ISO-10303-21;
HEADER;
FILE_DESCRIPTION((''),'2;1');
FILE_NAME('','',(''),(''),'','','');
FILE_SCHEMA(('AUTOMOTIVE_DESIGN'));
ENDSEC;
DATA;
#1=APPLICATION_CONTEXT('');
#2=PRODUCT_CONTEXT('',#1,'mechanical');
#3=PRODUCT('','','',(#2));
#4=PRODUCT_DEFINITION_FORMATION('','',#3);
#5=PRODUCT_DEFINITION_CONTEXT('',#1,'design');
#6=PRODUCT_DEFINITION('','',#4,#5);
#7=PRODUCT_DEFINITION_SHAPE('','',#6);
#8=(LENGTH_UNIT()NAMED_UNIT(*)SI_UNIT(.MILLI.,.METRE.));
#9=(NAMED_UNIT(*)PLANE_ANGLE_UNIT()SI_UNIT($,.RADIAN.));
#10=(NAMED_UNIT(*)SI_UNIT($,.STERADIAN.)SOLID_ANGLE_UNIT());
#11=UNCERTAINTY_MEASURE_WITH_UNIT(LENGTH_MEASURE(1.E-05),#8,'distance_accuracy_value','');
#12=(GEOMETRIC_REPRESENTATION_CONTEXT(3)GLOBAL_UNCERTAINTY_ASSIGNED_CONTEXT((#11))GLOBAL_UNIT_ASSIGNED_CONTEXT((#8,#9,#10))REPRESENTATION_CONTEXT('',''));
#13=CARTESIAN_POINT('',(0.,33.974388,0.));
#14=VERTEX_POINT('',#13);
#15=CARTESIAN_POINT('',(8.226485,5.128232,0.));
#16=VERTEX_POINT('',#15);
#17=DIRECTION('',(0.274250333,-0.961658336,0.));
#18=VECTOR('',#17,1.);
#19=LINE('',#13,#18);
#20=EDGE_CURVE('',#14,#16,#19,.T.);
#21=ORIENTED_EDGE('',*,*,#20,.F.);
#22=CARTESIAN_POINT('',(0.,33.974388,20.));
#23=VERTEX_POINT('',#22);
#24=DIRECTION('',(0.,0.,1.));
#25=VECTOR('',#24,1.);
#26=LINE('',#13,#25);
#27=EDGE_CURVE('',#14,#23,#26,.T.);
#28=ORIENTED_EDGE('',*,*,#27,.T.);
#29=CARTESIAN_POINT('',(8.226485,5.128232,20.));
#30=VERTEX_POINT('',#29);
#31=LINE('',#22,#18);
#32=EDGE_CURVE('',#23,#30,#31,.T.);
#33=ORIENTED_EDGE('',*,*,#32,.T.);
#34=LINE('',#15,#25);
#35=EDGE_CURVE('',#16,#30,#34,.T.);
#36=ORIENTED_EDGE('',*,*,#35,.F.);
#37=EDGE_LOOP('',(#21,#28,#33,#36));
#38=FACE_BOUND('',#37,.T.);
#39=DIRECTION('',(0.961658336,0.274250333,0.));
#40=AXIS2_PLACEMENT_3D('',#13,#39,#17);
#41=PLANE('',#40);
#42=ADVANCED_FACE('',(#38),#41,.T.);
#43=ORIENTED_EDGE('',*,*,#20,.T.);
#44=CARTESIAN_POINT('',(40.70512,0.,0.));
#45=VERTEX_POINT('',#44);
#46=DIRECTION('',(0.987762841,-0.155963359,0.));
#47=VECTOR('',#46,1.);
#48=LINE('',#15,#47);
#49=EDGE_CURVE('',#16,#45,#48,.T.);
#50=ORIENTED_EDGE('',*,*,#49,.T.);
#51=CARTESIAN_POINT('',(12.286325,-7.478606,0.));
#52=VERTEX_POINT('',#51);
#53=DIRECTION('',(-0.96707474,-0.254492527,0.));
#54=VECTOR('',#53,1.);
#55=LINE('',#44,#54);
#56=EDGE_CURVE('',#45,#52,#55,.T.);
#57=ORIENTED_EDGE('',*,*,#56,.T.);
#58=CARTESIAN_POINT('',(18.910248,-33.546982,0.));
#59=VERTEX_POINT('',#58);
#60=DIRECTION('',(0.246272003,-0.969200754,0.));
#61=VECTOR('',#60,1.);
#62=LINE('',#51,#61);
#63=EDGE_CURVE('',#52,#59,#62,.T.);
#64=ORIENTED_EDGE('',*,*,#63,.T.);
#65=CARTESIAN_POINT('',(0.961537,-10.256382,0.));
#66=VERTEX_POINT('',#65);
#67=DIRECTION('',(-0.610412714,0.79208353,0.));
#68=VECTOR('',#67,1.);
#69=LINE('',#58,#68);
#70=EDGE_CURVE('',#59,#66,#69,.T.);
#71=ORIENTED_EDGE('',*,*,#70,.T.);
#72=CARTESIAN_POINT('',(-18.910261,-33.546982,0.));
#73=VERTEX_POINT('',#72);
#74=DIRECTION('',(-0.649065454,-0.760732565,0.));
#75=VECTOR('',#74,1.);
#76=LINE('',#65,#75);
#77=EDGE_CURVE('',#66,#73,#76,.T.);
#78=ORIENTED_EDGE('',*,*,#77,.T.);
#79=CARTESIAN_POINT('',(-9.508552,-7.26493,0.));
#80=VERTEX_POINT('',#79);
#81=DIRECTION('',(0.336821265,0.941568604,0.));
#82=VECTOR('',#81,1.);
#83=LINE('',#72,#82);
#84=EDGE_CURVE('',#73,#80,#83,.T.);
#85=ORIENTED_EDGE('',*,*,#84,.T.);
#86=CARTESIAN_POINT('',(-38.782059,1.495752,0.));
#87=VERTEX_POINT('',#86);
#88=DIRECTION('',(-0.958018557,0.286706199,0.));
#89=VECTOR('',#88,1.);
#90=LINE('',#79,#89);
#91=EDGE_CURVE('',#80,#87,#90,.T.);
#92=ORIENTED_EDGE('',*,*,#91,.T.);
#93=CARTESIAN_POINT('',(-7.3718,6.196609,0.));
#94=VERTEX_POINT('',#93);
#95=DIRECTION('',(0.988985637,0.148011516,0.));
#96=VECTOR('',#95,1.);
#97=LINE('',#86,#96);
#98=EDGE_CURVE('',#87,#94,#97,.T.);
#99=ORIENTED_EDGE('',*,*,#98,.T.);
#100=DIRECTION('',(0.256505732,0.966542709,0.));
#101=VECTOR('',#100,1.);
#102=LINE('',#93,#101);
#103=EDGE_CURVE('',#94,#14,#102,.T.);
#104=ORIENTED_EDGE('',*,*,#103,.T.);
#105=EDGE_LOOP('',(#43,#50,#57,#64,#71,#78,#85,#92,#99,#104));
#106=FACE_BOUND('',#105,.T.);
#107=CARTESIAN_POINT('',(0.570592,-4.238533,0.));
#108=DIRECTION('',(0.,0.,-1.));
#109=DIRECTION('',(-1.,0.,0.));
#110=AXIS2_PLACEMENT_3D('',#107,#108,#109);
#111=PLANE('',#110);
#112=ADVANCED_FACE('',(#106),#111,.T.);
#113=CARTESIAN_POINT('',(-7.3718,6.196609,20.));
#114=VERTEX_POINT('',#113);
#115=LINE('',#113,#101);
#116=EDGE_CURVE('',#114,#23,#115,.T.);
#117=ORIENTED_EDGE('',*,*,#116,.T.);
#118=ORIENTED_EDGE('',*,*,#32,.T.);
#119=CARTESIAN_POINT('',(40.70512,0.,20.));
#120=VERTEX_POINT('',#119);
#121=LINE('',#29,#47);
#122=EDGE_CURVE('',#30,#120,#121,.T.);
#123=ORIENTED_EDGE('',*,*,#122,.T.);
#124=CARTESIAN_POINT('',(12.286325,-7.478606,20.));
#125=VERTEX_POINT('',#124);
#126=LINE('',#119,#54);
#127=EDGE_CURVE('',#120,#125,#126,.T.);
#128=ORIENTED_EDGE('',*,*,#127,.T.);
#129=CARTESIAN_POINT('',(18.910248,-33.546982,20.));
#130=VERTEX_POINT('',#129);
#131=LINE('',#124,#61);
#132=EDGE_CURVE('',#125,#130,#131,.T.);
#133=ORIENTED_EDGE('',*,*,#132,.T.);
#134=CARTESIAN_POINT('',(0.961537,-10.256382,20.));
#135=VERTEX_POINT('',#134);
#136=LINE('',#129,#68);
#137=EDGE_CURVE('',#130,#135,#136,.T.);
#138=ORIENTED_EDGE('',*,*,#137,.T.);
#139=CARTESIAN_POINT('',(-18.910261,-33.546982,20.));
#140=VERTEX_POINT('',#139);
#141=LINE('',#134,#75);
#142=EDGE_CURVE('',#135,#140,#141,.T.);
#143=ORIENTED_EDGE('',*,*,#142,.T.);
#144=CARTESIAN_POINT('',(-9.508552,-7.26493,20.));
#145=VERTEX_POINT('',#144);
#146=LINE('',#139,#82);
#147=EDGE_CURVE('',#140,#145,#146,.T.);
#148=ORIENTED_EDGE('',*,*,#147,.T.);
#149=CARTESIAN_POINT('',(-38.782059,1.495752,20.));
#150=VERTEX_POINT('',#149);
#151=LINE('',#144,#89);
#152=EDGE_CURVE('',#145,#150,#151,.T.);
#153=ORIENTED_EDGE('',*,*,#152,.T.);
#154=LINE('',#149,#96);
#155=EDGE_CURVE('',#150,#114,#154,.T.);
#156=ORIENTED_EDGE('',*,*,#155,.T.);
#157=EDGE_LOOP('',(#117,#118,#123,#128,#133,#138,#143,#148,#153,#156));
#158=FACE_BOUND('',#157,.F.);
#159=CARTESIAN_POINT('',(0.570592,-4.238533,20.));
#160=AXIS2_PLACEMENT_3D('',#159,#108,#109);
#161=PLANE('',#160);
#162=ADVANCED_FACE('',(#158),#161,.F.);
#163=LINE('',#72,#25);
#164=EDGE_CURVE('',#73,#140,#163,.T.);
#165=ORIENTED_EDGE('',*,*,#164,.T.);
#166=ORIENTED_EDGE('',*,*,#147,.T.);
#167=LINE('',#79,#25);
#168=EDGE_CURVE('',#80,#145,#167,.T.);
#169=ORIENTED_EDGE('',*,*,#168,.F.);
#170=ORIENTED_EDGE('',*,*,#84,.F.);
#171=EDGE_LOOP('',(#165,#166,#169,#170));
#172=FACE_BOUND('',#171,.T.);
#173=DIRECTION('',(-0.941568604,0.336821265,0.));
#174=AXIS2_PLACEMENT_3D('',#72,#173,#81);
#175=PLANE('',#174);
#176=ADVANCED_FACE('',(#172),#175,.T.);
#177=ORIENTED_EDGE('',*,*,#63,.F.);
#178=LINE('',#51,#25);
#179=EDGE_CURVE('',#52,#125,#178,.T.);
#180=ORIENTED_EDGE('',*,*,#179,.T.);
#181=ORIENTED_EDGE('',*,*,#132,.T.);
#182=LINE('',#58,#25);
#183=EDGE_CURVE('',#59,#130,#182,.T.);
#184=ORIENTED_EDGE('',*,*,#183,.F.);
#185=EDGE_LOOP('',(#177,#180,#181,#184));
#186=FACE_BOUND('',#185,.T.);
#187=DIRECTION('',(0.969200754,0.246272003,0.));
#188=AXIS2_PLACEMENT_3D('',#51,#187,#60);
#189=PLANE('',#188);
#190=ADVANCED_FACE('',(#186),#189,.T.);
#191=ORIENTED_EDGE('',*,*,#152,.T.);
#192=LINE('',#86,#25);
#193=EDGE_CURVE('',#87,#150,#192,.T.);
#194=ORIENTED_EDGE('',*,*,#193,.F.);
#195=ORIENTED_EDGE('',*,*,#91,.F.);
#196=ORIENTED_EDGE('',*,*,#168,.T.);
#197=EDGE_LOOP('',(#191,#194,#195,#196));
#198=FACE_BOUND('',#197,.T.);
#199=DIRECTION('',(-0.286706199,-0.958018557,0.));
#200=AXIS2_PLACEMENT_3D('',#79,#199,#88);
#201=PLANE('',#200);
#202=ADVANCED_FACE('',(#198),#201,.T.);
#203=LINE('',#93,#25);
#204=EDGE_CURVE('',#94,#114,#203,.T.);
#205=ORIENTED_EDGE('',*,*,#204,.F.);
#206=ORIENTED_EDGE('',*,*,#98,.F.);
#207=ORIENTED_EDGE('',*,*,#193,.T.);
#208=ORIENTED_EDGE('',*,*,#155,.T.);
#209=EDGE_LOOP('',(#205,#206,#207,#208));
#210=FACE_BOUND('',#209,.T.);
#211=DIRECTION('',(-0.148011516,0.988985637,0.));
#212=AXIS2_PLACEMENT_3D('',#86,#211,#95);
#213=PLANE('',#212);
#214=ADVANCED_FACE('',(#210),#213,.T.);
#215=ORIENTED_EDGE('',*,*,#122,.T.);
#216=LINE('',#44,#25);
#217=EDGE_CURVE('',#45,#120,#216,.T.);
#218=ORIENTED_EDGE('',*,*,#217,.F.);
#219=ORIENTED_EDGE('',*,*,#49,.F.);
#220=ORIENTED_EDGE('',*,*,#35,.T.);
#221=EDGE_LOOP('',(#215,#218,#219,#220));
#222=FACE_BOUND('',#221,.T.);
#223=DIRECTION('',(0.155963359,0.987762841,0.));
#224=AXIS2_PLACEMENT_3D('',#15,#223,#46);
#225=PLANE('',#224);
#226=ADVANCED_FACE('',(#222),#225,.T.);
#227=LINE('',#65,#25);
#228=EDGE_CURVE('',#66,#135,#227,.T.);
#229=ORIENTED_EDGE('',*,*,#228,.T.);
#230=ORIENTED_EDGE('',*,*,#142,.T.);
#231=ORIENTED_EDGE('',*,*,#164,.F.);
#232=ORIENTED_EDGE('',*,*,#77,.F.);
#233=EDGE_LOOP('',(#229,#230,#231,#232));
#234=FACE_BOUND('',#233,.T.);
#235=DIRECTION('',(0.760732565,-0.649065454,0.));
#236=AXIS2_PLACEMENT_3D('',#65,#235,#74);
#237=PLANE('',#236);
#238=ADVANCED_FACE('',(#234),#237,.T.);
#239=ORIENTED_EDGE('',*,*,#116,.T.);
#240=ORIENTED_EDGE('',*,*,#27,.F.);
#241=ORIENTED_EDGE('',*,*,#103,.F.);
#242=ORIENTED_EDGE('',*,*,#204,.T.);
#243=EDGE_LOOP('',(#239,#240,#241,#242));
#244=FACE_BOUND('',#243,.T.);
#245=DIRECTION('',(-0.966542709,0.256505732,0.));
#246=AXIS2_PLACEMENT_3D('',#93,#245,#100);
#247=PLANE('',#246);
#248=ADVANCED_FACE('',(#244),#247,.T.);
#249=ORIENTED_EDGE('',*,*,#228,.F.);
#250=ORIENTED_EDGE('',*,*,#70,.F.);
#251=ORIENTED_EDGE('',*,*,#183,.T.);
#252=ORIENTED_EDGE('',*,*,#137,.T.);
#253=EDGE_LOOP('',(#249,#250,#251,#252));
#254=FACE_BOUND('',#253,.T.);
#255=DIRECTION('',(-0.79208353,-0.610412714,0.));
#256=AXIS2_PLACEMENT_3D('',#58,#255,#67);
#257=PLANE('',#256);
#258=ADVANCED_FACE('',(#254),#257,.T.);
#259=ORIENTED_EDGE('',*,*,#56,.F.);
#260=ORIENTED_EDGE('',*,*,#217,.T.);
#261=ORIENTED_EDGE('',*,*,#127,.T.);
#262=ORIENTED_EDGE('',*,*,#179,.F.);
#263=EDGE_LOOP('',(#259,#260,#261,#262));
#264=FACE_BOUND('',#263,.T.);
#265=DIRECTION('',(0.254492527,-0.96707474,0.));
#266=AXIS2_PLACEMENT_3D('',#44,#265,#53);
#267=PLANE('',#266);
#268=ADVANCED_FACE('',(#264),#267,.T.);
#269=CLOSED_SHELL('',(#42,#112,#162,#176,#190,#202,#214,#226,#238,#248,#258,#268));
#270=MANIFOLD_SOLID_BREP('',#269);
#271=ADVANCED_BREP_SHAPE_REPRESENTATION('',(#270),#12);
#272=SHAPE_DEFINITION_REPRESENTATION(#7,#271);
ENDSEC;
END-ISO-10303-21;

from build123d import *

# Parameters (mm, degrees)
PAD_DEPTH = 20


with BuildPart() as part:
    # Sketch → Pad (new body)
    with BuildSketch(Plane.XY):
        Polygon((0, 33.974388), (8.226485, 5.128232), (40.70512, 0), (12.286325, -7.478606), (18.910248, -33.546982), (0.961537, -10.256382), (-18.910261, -33.546982), (-9.508552, -7.26493), (-38.782059, 1.495752), (-7.3718, 6.196609), align=None)
    extrude(amount=PAD_DEPTH)


solid = part.part
